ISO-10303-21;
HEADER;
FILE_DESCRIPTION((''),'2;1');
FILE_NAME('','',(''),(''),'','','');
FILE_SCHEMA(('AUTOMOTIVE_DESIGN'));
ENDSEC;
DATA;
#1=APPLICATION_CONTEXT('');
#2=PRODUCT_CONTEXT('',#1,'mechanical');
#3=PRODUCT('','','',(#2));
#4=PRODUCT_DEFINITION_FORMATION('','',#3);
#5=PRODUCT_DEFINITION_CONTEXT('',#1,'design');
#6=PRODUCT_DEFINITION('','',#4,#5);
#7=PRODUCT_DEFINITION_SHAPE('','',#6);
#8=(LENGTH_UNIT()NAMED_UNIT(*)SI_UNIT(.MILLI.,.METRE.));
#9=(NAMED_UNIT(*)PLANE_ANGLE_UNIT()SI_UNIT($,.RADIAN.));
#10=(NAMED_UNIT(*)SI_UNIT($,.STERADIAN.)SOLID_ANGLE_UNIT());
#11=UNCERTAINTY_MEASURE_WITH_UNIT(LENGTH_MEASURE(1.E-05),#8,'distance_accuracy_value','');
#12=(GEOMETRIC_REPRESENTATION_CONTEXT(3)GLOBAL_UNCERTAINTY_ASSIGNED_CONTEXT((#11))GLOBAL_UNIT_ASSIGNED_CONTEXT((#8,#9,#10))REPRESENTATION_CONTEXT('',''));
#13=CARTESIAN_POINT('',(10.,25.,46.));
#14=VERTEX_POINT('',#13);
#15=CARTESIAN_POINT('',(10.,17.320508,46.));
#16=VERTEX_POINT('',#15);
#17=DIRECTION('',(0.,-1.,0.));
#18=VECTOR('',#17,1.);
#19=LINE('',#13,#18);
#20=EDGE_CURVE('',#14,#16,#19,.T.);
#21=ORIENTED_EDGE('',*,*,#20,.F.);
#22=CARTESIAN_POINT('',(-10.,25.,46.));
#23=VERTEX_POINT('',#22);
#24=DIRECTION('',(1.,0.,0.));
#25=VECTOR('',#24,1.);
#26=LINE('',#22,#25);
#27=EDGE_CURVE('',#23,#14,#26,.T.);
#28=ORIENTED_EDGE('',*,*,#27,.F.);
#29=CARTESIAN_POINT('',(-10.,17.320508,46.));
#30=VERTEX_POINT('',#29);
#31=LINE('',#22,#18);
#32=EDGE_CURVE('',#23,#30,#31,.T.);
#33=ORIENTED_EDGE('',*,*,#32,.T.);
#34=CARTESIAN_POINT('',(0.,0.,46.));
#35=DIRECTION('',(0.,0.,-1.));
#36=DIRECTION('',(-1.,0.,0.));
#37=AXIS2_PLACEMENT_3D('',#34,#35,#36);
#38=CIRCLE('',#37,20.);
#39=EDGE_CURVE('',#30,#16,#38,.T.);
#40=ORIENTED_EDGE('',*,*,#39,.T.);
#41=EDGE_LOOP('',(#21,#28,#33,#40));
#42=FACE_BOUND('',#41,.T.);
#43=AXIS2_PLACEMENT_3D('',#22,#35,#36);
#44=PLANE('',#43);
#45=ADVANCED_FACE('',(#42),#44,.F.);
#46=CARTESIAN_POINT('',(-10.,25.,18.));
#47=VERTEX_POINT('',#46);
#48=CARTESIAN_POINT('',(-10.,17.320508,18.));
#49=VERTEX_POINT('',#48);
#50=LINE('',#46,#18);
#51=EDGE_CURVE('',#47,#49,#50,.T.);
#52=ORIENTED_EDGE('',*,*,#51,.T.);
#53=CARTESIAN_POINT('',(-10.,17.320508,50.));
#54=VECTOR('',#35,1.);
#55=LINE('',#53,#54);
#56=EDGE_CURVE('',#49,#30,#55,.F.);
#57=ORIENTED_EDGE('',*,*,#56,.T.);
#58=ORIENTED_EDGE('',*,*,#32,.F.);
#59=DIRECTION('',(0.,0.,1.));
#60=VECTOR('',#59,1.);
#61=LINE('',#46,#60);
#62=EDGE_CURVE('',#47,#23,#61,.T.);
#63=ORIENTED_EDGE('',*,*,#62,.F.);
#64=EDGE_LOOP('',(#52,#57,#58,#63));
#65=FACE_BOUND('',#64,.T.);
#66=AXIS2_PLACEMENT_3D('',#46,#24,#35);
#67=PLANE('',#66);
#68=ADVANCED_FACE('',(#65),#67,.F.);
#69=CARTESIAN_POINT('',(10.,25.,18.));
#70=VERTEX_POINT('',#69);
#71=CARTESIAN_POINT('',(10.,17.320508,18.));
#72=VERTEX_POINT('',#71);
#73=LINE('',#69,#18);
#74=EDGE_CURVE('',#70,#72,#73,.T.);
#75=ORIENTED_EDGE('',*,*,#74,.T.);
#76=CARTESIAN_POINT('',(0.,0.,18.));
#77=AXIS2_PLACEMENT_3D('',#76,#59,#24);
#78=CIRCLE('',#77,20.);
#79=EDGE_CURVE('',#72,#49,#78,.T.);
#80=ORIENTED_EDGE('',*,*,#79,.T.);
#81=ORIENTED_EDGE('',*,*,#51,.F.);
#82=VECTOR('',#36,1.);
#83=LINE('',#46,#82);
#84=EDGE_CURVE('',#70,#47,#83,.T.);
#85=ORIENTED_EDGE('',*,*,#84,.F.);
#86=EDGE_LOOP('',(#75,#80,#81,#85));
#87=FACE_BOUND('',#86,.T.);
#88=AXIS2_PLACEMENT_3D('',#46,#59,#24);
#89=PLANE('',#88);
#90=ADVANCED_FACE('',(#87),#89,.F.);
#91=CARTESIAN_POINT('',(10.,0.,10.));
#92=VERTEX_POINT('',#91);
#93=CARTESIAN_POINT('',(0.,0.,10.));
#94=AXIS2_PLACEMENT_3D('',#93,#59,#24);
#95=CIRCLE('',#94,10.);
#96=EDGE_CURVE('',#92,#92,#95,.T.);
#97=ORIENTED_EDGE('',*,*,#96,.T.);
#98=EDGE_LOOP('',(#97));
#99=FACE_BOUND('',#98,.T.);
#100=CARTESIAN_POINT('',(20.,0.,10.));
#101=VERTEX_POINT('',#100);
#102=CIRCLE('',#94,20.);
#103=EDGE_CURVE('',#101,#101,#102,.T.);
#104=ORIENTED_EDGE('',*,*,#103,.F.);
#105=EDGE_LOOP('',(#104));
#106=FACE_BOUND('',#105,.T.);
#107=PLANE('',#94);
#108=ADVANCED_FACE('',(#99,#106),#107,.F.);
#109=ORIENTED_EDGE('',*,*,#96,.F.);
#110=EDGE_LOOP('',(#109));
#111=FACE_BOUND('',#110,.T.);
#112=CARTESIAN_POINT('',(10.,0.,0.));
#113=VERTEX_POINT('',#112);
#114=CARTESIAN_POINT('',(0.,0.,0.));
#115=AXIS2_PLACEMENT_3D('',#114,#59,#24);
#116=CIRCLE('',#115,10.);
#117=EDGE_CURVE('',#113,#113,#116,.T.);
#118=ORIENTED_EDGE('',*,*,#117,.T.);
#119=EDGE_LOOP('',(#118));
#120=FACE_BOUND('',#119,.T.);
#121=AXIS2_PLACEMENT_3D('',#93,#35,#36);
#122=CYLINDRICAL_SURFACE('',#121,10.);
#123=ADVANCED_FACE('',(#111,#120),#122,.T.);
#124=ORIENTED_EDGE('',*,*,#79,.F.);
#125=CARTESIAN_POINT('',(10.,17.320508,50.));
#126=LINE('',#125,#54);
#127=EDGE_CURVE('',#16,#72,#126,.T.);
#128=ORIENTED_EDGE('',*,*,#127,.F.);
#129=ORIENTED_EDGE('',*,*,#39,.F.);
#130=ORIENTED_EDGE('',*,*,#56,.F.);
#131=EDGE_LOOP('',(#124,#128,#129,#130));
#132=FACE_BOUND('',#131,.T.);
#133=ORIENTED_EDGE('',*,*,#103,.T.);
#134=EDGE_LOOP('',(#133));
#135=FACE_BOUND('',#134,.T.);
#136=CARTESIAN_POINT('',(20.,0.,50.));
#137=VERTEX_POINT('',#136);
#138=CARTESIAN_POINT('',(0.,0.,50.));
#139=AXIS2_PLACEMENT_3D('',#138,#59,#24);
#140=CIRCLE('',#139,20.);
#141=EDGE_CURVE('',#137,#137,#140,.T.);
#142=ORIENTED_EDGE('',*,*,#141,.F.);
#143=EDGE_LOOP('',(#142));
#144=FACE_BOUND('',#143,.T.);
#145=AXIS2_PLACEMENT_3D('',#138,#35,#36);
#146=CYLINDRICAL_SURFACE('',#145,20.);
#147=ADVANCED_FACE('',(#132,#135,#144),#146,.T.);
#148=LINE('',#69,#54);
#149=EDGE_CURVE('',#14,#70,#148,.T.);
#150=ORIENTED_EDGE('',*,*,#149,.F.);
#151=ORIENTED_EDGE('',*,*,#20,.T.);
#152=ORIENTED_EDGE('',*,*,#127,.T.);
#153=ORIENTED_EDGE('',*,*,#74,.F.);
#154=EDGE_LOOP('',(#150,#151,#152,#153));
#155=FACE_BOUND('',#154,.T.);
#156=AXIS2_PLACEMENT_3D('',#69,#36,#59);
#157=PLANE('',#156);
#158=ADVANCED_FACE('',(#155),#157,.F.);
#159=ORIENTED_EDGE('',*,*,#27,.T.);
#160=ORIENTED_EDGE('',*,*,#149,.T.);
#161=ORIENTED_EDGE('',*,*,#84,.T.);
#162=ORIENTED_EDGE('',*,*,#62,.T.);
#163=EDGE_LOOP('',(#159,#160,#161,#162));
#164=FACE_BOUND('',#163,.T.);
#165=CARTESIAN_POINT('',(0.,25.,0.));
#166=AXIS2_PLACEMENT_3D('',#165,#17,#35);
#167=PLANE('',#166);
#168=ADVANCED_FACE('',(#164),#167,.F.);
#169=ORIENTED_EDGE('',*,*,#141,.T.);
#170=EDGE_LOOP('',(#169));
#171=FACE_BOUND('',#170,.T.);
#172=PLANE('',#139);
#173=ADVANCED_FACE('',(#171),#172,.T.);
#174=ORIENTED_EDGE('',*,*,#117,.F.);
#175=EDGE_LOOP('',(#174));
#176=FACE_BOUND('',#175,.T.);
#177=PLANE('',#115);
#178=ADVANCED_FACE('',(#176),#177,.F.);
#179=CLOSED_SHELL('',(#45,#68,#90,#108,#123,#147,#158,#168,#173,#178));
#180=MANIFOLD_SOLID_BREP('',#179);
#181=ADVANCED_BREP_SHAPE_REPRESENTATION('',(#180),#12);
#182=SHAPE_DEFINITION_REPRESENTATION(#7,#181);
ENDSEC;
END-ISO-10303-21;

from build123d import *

# Parameters (mm, degrees)
SKETCH_1_R      = 10
EXTRUDE_1_DEPTH = 10
SKETCH_2_R      = 20
EXTRUDE_2_DEPTH = 40
SKETCH_3_W      = 20
SKETCH_3_H      = 28
EXTRUDE_3_DEPTH = 25


with BuildPart() as part:
    # 草图1 → 凸台-拉伸1 (new body)
    with BuildSketch(Plane.XY):
        Circle(SKETCH_1_R)
    extrude(amount=EXTRUDE_1_DEPTH)

    # 草图2 → 凸台-拉伸2 (add)
    with BuildSketch(Plane.XY.offset(10)):
        Circle(SKETCH_2_R)
    extrude(amount=EXTRUDE_2_DEPTH)

    # 草图3 → 凸台-拉伸3 (add)
    with BuildSketch(Plane(origin=(0, 0, 0), x_dir=(1, 0, 0), z_dir=(0, 1, 0))):
        with Locations((0, -32)):
            Rectangle(SKETCH_3_W, SKETCH_3_H)
    extrude(amount=EXTRUDE_3_DEPTH)


solid = part.part
